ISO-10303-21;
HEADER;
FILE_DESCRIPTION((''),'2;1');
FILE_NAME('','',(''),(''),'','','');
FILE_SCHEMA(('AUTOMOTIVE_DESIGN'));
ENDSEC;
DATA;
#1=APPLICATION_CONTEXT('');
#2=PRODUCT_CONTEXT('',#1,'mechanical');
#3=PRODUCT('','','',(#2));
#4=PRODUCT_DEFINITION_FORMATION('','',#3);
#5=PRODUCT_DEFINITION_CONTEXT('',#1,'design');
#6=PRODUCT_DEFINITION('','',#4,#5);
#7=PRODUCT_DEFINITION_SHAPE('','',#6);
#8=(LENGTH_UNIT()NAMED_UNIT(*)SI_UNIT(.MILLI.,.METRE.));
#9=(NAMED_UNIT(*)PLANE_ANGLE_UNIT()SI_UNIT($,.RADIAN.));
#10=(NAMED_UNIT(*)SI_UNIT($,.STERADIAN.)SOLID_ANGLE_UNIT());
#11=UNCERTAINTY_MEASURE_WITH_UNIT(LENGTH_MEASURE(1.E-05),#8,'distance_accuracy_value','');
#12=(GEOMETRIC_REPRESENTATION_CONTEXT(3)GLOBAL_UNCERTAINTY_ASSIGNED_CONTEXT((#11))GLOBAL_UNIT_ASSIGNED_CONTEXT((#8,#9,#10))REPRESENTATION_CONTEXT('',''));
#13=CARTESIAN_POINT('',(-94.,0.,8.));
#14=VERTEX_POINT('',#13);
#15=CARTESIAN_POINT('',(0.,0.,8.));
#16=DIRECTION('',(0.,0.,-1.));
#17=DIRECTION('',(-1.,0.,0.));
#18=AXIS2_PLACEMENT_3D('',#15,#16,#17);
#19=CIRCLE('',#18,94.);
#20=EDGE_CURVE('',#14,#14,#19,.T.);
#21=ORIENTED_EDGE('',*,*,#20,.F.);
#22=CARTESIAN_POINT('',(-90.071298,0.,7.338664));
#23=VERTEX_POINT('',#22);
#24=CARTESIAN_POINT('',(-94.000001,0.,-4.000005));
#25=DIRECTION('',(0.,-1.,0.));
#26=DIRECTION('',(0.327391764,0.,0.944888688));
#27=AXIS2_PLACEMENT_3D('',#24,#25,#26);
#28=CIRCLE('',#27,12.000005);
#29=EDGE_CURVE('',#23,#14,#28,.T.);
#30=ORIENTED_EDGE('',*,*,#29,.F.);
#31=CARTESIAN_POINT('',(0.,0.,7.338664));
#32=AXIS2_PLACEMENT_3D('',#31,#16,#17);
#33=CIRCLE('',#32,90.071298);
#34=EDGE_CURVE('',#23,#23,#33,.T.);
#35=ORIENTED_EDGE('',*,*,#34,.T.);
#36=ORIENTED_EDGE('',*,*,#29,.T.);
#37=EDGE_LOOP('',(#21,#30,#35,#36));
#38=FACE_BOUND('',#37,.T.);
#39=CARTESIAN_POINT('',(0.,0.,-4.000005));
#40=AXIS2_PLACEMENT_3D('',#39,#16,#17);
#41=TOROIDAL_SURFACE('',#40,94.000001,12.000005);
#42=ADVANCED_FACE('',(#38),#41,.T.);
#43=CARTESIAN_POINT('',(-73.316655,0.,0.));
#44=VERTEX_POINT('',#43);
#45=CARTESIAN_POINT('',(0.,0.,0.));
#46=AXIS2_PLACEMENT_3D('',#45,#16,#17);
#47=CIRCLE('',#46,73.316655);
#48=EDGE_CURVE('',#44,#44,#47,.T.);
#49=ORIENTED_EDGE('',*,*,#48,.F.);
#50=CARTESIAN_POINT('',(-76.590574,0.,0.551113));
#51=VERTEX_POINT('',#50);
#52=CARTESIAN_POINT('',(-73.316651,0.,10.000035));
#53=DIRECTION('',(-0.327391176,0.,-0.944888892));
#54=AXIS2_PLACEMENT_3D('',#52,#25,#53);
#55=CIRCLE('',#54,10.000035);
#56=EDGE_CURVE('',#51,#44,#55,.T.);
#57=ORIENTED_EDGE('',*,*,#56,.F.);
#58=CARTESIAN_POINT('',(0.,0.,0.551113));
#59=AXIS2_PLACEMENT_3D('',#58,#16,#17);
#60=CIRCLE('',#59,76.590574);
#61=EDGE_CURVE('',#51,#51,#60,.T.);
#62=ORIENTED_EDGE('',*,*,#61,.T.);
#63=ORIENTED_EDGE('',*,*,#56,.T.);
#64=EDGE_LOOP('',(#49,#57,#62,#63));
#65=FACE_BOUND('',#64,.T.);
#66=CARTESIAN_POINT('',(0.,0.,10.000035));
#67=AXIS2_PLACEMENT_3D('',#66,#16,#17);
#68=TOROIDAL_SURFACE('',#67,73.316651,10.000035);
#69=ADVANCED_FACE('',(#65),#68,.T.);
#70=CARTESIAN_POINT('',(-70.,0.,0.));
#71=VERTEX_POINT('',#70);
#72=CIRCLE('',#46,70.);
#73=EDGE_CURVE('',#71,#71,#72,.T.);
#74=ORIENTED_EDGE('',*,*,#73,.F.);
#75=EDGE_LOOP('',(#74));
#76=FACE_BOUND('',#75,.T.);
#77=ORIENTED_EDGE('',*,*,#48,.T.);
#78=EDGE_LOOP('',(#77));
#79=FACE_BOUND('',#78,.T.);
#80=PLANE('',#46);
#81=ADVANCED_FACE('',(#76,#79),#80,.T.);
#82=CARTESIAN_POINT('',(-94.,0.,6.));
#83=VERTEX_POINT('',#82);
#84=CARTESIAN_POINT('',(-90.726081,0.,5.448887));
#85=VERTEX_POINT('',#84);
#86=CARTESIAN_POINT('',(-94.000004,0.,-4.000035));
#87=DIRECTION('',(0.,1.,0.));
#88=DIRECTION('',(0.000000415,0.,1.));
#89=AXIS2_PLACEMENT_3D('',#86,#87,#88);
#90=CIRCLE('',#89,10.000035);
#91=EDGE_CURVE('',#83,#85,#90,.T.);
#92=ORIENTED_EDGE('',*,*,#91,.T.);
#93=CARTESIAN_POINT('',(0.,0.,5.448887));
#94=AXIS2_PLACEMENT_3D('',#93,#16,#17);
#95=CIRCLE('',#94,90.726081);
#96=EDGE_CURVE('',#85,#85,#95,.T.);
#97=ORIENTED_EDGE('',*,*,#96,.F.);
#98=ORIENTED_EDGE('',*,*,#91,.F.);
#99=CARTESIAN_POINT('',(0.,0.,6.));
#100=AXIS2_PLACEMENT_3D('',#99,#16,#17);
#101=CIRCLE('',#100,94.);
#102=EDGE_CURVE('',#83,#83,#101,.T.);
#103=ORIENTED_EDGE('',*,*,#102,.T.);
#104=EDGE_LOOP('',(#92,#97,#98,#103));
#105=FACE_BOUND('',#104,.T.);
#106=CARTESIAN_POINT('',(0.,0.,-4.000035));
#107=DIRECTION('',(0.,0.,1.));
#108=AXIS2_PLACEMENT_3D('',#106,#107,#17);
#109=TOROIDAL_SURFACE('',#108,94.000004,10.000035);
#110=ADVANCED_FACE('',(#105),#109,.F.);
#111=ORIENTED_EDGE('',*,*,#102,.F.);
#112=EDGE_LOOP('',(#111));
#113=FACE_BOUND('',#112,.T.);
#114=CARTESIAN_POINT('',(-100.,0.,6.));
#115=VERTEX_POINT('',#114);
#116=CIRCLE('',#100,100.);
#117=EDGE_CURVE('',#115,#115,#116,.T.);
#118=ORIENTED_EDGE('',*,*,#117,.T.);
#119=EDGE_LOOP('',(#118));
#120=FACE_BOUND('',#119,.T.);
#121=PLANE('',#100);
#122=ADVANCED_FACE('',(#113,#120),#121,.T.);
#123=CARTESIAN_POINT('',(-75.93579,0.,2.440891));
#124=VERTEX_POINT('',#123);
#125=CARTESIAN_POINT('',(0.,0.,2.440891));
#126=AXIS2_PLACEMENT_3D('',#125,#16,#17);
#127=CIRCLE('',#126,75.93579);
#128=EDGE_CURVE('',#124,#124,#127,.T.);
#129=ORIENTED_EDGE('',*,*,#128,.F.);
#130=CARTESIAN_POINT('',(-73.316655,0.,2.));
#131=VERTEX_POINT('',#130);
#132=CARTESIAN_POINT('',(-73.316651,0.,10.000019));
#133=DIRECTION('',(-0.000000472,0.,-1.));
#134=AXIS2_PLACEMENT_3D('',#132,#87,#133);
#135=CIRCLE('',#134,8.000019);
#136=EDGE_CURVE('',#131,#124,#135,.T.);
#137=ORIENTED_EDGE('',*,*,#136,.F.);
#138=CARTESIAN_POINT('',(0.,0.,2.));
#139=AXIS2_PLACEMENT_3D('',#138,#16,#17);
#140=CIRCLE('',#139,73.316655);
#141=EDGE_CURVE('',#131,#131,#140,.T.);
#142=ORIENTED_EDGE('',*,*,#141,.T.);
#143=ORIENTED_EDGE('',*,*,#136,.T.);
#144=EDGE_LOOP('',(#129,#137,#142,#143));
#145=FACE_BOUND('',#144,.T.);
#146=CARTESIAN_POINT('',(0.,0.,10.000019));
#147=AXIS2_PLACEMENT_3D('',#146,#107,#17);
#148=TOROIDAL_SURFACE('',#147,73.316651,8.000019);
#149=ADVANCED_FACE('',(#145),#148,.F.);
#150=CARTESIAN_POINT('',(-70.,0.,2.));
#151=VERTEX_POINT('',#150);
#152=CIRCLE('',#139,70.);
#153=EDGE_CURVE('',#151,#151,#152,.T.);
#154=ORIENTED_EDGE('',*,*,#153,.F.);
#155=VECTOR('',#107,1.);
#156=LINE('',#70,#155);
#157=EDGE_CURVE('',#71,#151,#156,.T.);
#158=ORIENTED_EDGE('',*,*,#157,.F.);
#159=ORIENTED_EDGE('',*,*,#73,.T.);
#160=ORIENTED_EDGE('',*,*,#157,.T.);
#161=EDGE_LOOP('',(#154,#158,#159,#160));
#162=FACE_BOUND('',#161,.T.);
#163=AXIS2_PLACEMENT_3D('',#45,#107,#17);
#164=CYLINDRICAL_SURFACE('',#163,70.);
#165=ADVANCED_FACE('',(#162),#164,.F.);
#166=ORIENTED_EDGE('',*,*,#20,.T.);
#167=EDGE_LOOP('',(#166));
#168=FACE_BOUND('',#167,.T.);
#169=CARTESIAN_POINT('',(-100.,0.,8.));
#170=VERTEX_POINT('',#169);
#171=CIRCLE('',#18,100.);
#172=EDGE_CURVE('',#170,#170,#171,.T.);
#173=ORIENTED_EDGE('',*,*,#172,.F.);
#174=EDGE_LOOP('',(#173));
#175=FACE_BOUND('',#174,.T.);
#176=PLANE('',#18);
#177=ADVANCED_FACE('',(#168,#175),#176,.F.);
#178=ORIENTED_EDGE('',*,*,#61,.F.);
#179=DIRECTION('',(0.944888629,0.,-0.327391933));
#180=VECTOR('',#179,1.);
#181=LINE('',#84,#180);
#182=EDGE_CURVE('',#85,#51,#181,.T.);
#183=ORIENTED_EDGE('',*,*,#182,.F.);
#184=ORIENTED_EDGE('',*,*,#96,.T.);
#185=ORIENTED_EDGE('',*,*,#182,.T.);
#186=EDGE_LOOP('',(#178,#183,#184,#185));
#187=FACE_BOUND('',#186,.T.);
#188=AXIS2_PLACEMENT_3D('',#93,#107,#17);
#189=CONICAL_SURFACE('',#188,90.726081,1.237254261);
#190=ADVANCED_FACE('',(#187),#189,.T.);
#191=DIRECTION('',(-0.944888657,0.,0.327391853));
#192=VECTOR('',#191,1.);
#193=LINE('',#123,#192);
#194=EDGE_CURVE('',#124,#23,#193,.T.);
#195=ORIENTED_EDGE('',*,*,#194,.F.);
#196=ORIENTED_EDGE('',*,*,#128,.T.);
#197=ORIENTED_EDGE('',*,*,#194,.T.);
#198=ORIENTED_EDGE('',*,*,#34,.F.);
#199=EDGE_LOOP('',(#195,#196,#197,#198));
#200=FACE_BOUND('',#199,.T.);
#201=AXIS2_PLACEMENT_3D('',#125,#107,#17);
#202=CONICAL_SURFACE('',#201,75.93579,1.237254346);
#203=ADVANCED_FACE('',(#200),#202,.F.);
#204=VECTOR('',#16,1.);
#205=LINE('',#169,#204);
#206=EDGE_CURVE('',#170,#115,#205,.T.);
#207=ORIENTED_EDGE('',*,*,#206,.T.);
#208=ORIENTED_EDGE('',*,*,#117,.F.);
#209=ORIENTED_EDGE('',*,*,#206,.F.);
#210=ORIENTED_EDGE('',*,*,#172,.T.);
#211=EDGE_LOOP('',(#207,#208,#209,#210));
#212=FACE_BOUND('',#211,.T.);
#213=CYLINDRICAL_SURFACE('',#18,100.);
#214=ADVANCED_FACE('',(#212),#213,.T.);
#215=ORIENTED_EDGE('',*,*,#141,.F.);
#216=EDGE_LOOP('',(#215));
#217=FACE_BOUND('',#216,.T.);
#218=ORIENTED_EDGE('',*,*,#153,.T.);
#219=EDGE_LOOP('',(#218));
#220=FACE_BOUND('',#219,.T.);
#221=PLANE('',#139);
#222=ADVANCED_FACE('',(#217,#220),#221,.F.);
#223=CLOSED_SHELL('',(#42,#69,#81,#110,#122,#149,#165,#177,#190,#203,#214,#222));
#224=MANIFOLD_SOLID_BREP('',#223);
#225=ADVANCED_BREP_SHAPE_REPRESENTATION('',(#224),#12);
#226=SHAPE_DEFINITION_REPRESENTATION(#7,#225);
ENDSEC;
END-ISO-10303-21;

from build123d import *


with BuildPart() as f1:
    # F0 (on Front) → F1 (revolve)
    with BuildSketch(Plane.XZ):
        with BuildLine():
            Line((-73.316655, 0), (-70, 0))
            Line((-70, 0), (-70, 2))
            Line((-70, 2), (-73.316655, 2))
            ThreePointArc((-73.316655, 2), (-74.644647, 2.110993), (-75.93579, 2.440891))
            Line((-75.93579, 2.440891), (-90.071298, 7.338664))
            ThreePointArc((-90.071298, 7.338664), (-92.008012, 7.833511), (-94, 8))
            Line((-94, 8), (-100, 8))
            Line((-100, 8), (-100, 6))
            Line((-100, 6), (-94, 6))
            ThreePointArc((-94, 6), (-92.34001, 5.861259), (-90.726081, 5.448887))
            Line((-90.726081, 5.448887), (-76.590574, 0.551113))
            ThreePointArc((-76.590574, 0.551113), (-74.976645, 0.138741), (-73.316655, 0))
        make_face()
    revolve(axis=Axis((0, 0, 3.942652), (0, 0, -1)))


solid = f1.part
